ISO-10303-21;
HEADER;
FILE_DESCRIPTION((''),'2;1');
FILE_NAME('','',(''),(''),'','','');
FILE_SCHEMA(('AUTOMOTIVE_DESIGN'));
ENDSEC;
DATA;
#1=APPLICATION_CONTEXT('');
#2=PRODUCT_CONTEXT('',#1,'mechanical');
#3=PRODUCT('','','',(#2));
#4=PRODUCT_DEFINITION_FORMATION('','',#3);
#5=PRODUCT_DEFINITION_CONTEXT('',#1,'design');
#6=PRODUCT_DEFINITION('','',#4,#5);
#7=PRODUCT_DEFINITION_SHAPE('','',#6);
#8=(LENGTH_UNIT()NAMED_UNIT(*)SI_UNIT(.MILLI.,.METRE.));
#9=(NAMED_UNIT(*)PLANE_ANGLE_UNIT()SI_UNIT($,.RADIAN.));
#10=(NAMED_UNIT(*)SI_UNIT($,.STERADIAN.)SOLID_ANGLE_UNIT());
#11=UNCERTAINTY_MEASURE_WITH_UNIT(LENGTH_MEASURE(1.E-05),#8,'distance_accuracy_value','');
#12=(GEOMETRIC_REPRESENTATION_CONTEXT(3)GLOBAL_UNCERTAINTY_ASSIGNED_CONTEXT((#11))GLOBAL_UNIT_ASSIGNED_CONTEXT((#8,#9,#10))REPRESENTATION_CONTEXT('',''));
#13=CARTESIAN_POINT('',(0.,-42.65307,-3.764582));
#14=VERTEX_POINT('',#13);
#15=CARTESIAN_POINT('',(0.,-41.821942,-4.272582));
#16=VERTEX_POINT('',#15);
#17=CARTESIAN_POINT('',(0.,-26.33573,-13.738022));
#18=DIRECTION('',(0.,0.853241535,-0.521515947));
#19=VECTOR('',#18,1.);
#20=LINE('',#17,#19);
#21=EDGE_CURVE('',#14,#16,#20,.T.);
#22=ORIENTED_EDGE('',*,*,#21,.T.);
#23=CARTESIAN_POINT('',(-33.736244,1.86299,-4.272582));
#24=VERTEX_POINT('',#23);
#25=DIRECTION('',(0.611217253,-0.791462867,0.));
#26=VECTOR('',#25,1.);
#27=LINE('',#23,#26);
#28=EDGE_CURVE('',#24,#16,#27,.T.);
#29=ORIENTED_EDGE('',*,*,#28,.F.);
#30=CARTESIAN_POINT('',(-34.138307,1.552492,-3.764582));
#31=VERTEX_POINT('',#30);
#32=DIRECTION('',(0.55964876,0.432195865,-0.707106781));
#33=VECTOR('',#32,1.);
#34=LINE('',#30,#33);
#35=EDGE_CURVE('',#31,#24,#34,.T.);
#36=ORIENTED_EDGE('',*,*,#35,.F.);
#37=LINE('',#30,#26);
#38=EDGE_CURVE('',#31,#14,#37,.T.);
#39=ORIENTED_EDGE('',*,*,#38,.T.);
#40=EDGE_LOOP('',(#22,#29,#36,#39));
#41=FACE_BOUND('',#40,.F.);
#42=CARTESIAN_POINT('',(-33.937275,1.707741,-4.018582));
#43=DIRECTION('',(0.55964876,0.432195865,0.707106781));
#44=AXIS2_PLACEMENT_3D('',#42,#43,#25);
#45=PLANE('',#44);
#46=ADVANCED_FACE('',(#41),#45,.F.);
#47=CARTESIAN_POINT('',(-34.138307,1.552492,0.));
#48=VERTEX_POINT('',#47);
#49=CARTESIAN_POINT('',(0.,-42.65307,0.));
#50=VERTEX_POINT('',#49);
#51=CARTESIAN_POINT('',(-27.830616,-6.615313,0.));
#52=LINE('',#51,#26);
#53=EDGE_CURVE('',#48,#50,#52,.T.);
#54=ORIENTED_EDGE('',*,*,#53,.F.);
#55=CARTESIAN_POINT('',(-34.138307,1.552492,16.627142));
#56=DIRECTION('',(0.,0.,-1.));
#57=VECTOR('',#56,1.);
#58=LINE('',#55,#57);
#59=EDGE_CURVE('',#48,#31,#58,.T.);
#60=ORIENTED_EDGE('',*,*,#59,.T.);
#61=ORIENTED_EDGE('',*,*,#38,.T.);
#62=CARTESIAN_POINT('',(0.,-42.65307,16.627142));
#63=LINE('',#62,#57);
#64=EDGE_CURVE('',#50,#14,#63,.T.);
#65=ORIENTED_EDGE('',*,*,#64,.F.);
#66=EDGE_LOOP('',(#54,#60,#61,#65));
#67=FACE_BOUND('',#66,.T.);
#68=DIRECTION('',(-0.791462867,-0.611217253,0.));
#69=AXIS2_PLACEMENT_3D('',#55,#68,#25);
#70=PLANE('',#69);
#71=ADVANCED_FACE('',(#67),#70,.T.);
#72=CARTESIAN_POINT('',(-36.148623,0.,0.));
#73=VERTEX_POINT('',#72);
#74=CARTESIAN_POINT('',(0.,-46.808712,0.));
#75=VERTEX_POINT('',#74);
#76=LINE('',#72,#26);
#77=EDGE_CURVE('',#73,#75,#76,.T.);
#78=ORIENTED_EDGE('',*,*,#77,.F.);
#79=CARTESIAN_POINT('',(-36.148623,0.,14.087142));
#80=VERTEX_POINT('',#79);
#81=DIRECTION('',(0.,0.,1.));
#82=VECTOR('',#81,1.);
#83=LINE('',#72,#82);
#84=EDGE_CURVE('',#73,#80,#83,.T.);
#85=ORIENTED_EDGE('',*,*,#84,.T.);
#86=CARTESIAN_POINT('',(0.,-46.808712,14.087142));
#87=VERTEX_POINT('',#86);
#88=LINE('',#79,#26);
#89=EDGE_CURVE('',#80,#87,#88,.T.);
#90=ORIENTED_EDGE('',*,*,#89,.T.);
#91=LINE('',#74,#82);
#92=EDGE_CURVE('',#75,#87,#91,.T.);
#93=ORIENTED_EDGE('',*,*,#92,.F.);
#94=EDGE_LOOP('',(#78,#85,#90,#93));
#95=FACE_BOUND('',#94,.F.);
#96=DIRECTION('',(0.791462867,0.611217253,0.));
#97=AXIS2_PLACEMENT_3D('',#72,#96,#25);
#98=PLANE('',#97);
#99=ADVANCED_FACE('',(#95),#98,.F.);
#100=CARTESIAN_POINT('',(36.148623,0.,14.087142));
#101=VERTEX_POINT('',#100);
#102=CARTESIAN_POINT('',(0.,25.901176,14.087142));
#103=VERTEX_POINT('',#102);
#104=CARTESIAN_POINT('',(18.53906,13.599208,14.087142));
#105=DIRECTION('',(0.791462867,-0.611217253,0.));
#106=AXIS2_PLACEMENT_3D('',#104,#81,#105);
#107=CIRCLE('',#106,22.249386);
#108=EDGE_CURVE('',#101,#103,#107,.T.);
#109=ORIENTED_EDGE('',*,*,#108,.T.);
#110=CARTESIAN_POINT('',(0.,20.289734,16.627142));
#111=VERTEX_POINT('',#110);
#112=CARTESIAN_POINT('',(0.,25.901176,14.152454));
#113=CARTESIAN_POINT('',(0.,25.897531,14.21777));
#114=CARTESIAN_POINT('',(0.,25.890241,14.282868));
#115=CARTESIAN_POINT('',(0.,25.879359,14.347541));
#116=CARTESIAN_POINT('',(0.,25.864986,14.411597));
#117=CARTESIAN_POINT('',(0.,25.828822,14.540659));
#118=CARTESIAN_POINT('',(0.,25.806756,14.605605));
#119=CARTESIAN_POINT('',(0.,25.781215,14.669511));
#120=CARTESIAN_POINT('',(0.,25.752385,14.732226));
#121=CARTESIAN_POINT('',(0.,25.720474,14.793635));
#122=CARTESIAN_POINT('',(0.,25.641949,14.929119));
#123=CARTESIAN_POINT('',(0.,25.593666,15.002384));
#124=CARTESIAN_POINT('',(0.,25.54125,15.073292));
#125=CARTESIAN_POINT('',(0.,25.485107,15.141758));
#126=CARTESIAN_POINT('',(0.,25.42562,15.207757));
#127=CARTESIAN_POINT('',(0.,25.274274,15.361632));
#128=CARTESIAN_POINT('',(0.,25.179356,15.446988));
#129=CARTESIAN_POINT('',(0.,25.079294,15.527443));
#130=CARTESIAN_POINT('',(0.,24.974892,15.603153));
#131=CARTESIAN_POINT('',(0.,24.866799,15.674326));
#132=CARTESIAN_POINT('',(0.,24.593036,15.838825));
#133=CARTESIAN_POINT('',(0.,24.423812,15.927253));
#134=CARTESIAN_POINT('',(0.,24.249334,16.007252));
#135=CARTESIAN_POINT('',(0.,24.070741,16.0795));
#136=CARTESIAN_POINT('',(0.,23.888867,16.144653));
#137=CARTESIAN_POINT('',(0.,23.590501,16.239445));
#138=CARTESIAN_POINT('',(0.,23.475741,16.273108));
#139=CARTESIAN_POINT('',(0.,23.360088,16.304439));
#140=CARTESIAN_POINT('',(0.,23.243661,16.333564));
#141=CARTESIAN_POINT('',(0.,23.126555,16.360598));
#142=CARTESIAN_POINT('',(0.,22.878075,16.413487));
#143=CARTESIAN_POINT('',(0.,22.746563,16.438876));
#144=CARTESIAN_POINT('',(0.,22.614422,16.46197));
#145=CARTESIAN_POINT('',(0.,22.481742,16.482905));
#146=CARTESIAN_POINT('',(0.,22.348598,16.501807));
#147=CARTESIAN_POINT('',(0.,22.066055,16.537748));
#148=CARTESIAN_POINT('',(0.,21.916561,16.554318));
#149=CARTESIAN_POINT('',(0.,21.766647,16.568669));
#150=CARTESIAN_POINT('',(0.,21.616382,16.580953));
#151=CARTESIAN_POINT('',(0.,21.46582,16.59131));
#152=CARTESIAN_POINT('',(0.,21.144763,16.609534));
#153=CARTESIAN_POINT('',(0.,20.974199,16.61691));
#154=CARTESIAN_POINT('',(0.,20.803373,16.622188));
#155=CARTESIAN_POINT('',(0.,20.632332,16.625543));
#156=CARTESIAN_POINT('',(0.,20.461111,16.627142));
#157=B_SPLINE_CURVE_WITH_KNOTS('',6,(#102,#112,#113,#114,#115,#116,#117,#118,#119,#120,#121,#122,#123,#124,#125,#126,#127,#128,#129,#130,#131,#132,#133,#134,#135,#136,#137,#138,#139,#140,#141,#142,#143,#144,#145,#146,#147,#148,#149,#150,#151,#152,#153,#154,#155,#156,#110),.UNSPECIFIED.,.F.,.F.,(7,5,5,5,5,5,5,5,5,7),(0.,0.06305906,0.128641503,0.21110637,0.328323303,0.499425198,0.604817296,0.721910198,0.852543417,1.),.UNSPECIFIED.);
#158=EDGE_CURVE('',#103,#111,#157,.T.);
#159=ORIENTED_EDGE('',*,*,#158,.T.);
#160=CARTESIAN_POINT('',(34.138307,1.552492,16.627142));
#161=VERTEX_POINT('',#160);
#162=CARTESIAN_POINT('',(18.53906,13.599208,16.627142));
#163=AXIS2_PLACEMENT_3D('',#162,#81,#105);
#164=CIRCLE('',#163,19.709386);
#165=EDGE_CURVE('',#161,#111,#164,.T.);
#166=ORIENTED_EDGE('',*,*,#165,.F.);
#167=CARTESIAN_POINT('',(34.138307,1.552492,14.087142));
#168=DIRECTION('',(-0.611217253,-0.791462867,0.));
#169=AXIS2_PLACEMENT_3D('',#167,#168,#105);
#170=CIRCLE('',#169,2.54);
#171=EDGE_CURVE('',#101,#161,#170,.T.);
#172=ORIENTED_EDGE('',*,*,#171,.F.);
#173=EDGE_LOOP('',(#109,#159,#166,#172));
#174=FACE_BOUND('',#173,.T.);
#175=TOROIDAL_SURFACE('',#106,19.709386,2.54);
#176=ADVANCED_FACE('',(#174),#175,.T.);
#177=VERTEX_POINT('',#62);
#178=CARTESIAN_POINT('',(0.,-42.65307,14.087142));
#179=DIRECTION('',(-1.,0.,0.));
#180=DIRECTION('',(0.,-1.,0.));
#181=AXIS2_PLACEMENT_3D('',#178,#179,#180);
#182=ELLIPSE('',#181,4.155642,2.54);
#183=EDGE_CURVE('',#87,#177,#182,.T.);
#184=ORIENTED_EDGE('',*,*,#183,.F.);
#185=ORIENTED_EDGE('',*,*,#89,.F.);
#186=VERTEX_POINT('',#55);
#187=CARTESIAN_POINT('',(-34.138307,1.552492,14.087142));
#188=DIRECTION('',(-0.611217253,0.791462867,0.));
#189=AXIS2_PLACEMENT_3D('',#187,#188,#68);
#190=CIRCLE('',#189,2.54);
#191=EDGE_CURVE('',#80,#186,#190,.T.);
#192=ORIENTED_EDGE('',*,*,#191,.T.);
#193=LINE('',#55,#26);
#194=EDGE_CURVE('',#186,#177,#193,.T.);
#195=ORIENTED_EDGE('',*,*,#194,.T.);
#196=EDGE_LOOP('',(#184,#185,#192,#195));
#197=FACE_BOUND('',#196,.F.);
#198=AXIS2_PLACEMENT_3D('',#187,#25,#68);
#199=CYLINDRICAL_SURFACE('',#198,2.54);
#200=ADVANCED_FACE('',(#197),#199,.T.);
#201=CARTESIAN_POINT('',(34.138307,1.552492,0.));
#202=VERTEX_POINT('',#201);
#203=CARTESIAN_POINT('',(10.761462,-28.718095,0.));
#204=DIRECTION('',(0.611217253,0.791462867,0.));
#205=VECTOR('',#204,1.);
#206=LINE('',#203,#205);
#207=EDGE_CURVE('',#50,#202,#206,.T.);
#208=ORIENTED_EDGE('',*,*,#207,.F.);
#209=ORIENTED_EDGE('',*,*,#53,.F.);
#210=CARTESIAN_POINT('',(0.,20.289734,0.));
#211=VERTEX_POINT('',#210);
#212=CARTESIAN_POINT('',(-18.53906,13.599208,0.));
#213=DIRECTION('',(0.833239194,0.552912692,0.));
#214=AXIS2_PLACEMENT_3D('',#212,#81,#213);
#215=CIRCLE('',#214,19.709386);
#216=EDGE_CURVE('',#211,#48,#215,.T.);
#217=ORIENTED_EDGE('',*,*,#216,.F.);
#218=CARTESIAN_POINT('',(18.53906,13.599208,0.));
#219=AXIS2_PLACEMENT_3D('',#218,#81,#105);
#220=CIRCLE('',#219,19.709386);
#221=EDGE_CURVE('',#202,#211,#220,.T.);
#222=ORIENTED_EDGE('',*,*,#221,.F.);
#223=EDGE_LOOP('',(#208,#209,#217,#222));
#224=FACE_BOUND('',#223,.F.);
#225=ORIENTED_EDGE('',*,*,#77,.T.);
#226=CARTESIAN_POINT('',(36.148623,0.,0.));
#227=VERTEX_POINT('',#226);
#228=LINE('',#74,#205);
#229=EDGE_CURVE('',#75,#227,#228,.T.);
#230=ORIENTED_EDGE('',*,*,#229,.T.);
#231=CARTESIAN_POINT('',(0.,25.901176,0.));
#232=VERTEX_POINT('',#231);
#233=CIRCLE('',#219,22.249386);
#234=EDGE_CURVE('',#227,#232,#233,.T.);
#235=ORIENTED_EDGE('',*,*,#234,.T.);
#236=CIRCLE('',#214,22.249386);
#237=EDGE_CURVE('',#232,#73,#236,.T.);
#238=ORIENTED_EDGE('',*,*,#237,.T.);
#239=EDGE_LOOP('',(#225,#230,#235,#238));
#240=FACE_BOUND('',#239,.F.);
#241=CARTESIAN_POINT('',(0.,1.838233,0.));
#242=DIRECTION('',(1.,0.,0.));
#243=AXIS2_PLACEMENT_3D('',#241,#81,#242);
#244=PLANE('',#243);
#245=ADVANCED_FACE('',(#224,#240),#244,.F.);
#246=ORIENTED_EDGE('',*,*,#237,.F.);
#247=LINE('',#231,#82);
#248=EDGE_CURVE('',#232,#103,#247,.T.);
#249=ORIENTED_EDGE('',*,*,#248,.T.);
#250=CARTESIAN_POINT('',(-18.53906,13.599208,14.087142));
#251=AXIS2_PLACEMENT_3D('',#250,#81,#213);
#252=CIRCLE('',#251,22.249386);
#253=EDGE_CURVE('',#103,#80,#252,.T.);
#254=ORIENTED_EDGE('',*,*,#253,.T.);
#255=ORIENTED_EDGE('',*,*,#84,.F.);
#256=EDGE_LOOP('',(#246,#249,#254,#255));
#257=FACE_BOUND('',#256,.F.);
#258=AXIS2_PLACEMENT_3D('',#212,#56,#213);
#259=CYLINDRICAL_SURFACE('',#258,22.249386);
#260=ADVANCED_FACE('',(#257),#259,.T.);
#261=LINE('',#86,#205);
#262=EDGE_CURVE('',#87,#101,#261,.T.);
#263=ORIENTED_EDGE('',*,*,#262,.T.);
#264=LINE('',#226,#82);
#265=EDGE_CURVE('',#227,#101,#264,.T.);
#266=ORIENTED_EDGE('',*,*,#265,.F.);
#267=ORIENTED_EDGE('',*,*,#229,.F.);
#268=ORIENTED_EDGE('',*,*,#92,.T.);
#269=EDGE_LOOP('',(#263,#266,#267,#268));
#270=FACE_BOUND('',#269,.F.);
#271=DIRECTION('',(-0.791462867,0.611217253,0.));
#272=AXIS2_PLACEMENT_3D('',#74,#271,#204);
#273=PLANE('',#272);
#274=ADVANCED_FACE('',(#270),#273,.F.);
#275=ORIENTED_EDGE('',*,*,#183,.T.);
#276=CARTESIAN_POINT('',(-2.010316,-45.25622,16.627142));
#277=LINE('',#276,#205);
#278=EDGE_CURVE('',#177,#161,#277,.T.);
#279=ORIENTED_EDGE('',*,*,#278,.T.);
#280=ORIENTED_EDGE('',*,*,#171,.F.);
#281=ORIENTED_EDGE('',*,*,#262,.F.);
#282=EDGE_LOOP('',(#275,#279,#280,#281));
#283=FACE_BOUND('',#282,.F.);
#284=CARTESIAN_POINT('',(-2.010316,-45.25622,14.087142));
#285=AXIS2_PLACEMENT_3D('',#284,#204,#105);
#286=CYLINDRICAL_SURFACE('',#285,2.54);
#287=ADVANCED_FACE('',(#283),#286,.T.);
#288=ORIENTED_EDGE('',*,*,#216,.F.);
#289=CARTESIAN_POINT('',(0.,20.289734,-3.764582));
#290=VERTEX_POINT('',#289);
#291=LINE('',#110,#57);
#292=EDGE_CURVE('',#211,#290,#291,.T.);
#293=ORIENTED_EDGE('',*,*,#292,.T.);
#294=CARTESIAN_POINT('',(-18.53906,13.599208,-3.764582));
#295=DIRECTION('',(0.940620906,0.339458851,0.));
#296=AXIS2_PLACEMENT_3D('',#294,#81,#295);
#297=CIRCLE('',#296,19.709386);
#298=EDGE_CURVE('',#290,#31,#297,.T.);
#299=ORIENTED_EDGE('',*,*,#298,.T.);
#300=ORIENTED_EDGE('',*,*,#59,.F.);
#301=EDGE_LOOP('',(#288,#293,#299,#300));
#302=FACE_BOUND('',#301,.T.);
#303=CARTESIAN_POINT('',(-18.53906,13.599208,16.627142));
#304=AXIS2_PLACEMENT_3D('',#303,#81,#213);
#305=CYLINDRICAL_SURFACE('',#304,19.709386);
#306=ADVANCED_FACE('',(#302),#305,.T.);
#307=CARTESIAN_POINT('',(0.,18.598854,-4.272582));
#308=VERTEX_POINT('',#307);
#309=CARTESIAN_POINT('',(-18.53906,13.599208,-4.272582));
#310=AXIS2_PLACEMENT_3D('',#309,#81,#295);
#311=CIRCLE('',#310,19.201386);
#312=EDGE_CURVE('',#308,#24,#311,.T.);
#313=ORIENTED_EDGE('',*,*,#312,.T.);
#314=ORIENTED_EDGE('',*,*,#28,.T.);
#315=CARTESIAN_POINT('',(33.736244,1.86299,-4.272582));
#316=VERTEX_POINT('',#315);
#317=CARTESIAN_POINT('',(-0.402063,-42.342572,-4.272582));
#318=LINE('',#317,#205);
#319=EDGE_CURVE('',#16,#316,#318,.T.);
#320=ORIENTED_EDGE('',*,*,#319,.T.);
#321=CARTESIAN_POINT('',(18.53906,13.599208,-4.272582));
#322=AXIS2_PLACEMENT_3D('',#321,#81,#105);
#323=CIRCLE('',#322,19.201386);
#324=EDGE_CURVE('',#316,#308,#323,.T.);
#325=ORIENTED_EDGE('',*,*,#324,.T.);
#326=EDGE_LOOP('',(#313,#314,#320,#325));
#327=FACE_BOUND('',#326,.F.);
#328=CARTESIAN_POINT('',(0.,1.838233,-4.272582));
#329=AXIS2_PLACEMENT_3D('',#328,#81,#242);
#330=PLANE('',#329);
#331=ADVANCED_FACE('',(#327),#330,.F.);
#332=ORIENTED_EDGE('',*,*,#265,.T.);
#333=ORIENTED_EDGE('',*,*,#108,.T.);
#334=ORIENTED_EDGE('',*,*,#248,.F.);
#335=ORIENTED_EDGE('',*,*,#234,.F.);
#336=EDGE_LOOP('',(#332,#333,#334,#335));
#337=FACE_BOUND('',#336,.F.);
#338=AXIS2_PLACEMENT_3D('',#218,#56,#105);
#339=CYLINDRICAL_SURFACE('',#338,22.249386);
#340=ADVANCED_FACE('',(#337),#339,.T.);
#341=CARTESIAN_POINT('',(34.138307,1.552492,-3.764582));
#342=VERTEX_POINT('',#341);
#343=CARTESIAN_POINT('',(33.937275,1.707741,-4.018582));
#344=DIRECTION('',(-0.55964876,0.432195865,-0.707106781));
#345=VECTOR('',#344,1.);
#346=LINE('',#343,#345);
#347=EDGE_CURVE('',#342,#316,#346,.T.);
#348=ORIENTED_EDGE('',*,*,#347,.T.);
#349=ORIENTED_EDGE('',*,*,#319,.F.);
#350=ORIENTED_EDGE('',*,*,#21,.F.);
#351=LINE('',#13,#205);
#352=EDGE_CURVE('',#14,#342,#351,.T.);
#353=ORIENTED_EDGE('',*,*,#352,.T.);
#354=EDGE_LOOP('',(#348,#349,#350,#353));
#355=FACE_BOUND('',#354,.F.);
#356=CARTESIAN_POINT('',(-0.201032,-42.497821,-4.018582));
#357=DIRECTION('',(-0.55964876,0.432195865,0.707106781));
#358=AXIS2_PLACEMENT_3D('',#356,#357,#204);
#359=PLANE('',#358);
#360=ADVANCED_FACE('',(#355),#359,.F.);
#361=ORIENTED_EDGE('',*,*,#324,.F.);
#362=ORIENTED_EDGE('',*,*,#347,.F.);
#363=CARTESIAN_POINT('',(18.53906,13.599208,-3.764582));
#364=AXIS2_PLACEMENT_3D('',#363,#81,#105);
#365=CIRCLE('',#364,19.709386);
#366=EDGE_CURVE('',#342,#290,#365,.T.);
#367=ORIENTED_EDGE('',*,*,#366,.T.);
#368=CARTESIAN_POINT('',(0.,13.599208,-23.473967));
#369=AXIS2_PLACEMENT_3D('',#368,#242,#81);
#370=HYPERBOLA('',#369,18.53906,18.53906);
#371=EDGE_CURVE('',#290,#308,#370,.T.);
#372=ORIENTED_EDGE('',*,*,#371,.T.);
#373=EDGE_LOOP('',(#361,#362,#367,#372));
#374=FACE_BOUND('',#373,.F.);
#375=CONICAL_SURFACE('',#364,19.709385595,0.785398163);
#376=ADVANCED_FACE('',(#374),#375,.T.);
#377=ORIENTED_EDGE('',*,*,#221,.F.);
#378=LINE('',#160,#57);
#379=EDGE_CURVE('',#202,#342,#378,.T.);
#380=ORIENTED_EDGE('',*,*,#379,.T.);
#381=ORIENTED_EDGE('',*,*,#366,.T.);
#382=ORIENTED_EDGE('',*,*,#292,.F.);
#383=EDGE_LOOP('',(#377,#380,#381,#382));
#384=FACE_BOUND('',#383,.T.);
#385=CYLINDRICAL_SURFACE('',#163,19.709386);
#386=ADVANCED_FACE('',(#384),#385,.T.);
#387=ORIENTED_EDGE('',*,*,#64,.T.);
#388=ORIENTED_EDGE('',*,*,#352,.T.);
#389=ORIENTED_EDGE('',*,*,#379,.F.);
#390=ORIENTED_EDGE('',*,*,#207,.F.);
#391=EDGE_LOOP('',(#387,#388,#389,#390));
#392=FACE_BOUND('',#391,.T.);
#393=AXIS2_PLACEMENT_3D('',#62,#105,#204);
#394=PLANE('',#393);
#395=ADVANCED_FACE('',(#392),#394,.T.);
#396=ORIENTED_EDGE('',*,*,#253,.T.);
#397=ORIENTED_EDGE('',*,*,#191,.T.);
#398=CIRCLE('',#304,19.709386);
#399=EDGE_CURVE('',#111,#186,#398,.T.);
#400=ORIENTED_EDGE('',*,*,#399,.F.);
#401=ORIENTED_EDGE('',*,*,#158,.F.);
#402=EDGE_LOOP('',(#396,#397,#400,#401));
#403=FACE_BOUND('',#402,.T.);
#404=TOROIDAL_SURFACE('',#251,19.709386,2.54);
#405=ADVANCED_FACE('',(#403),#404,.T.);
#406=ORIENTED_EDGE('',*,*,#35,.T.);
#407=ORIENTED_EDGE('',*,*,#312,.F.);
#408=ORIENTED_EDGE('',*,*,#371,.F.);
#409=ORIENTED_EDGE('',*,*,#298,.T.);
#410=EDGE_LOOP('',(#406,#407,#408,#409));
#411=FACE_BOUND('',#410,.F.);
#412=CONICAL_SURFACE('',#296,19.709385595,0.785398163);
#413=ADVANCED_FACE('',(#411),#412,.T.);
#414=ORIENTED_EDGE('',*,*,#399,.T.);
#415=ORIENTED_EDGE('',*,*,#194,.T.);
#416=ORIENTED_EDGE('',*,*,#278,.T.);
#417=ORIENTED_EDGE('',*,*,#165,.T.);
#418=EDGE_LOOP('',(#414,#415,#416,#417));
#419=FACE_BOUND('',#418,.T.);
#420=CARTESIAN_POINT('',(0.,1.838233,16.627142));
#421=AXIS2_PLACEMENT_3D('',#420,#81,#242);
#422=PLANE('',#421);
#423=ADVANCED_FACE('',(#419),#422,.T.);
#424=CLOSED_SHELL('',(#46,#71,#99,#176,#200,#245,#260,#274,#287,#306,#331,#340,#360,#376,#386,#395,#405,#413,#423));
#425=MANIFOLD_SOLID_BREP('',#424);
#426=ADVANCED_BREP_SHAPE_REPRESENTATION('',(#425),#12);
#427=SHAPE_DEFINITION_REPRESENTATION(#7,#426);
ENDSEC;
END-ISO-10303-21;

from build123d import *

# Parameters (mm, degrees)
F1_DEPTH = 16.6271422058
F2_R     = 2.54
F3_DEPTH = 20.8997240989
F4_SIZE2 = 0.508
F4_SIZE  = 0.508


with BuildPart() as f1:
    # F0 (on Top) → F1 (new body)
    with BuildSketch(Plane.XY):
        with BuildLine():
            Line((-36.148622632, 0), (0, -46.8087121844))
            Line((0, -46.8087121844), (36.148622632, 0))
            ThreePointArc((36.148622632, 0), (31.497984523, 31.6851542178), (0, 25.9011760354))
            ThreePointArc((0, 25.9011760354), (-31.497984523, 31.6851542178), (-36.148622632, 0))
        make_face()
    extrude(amount=F1_DEPTH)

    # F2
    f2_edges = [f1.edges().sort_by_distance(p)[0] for p in [
        (-31.497985, 31.685154, 16.627142),
        (-18.074311, -23.404356, 16.627142),
        (18.074311, -23.404356, 16.627142),
        (31.497985, 31.685154, 16.627142),
    ]]
    fillet(f2_edges, radius=F2_R)

    # F3 (add): a face of the model
    f3_faces = [f1.faces().sort_by_distance(p)[0] for p in [
        (0, 3.7630845429, 16.6271422058),
    ]]
    extrude(f3_faces, amount=-F3_DEPTH)

    # F4
    f4_edges = [f1.edges().sort_by_distance(p)[0] for p in [
        (-28.022292, 30.877177, -4.272582),
        (28.022292, 30.877177, -4.272582),
        (-17.069153, -20.550289, -4.272582),
        (17.069153, -20.550289, -4.272582),
    ]]
    chamfer(f4_edges, length=F4_SIZE, length2=F4_SIZE2)


solid = f1.part
